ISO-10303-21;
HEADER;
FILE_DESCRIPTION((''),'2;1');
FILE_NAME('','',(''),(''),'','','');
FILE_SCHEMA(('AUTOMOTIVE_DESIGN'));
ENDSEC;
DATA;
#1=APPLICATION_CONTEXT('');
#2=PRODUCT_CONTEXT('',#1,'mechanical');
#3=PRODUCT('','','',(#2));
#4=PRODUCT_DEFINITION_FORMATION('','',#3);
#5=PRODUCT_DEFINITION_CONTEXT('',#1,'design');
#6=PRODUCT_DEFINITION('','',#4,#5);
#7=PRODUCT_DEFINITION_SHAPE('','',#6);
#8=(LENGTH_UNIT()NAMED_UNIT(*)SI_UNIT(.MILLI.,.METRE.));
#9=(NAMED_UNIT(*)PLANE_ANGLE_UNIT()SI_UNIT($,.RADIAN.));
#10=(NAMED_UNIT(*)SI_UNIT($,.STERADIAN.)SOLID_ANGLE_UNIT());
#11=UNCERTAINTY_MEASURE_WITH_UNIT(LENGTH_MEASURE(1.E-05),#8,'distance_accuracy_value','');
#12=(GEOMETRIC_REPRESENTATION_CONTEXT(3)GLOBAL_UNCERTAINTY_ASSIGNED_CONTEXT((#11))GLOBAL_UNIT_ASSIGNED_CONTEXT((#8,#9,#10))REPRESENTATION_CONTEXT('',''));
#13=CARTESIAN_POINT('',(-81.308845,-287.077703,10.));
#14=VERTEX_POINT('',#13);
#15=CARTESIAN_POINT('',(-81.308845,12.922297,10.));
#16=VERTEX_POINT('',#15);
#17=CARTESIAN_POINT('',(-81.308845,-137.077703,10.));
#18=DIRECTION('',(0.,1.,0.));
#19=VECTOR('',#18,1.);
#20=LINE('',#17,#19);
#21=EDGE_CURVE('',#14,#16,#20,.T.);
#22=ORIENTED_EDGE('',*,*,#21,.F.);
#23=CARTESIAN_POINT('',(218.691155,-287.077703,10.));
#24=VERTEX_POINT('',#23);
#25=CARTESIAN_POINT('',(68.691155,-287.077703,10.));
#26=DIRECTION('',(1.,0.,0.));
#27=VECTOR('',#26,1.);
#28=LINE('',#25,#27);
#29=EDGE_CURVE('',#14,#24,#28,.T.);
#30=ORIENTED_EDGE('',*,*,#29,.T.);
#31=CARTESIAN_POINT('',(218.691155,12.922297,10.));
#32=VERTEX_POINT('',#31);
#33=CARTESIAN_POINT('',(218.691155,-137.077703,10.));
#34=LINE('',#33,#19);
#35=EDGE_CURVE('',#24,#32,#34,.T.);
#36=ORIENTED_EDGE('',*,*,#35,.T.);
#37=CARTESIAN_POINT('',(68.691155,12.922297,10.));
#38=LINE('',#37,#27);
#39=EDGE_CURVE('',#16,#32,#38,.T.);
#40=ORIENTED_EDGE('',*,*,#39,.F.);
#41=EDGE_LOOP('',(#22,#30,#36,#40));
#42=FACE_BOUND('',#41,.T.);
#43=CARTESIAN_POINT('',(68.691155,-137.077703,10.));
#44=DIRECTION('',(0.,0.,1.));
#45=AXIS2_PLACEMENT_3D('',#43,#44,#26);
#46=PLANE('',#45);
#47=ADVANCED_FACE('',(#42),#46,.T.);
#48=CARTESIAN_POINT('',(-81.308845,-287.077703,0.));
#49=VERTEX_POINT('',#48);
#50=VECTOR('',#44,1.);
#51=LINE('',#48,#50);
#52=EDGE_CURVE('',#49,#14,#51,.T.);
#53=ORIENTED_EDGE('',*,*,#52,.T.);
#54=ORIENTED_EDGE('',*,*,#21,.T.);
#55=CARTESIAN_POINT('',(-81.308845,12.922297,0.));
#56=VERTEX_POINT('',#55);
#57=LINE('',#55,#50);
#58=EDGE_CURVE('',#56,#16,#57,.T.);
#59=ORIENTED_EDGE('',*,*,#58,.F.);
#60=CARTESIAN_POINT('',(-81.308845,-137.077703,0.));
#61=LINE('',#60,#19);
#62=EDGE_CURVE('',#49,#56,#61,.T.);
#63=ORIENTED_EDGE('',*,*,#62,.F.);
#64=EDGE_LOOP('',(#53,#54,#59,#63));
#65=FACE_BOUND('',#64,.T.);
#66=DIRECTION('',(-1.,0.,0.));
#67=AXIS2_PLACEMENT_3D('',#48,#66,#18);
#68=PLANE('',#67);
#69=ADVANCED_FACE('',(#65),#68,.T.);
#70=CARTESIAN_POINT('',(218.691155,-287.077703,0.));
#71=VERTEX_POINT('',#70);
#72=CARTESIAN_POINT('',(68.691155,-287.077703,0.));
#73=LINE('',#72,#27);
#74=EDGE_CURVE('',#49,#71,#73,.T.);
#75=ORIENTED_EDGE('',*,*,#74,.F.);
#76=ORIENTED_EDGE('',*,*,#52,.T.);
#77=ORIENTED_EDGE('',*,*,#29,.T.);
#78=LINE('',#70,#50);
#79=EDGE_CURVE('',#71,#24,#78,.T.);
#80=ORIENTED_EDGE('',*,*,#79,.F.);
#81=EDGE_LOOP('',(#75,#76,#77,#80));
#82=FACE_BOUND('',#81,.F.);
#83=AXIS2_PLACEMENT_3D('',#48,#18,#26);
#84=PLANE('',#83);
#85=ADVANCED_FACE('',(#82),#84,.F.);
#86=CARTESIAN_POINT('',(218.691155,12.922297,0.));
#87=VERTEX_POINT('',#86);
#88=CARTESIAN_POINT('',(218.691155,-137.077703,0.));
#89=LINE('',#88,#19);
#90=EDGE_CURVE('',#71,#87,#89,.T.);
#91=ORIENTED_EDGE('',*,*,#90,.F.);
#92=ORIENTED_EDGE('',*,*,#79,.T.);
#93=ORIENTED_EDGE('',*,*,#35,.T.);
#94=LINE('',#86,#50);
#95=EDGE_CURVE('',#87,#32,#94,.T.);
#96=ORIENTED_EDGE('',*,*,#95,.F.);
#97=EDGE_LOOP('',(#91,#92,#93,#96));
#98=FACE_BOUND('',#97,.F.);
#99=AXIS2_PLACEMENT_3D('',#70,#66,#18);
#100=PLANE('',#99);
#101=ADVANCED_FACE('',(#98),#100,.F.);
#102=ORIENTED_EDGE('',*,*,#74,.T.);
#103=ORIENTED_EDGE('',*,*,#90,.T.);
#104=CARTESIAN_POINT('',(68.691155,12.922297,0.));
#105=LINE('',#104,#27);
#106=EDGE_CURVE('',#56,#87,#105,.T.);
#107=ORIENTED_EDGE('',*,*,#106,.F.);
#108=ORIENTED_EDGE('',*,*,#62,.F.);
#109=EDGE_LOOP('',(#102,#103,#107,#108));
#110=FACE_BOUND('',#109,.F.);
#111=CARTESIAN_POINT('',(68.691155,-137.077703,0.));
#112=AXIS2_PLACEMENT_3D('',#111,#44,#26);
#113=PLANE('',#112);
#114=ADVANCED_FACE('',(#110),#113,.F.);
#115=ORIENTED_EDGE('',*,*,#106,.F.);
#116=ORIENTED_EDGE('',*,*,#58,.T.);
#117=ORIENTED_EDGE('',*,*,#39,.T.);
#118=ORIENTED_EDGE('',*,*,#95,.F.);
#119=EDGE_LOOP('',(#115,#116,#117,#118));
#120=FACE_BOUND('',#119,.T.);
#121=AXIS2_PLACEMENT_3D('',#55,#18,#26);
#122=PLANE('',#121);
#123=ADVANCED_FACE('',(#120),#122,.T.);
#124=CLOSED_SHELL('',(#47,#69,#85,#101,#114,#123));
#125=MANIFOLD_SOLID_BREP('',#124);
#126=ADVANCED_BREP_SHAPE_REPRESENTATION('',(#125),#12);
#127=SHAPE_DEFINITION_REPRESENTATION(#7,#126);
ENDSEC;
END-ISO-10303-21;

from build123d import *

# Parameters (mm, degrees)
ESBO_O1_W                = 300
ESBO_O1_H                = 300
RESSALTO_EXTRUS_O1_DEPTH = 10


with BuildPart() as part:
    # Esboço1 → Ressalto-extrusão1 (new body)
    with BuildSketch(Plane.XY):
        with Locations((68.691155295, -137.077702703)):
            Rectangle(ESBO_O1_W, ESBO_O1_H)
    extrude(amount=RESSALTO_EXTRUS_O1_DEPTH)


solid = part.part
